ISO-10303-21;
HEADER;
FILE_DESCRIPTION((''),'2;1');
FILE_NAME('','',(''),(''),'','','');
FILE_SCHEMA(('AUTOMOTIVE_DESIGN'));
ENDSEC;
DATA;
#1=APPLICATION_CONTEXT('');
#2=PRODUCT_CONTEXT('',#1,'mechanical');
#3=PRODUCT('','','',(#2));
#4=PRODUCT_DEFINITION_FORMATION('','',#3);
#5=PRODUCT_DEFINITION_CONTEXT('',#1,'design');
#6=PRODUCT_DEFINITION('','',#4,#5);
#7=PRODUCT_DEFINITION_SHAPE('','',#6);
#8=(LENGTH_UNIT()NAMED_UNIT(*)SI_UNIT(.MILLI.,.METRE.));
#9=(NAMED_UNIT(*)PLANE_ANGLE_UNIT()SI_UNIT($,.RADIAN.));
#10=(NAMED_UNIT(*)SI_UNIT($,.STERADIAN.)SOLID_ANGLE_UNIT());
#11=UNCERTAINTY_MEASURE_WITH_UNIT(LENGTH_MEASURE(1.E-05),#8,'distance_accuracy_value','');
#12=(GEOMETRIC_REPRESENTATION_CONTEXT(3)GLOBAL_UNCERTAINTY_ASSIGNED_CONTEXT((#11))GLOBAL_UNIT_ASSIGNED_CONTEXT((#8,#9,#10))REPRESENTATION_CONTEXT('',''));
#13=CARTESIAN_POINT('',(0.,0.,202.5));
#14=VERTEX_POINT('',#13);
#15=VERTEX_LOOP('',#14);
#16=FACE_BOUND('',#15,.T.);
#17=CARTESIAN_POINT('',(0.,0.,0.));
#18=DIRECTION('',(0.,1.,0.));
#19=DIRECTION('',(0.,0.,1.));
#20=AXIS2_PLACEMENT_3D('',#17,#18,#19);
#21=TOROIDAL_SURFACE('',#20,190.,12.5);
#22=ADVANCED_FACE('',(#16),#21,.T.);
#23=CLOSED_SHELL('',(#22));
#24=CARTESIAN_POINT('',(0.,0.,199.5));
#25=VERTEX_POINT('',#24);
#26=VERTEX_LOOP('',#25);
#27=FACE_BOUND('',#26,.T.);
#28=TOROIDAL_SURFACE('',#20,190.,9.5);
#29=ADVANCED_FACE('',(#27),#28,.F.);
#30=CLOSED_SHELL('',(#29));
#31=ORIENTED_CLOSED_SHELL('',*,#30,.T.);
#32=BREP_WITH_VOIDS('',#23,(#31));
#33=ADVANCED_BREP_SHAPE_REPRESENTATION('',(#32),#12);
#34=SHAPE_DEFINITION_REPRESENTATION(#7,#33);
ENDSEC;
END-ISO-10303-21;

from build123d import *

# Parameters (mm, degrees)
SKETCH1_R = 12.5
SHELL2_T  = 3


with BuildPart() as part:
    # Sketch1 → Revolve1 (revolve)
    with BuildSketch(Plane.XY, mode=Mode.PRIVATE) as revolve1_sk:
        with Locations((190, 0)):
            Circle(SKETCH1_R)
    revolve(revolve1_sk.sketch.rotate(Axis((0, 16.5, 0), (0, -1, 0)), 90), axis=Axis((0, 16.5, 0), (0, -1, 0)))

    # Shell2 (no face opened: a closed hollow body)
    add(offset(amount=-SHELL2_T, mode=Mode.PRIVATE), mode=Mode.SUBTRACT)


solid = part.part
